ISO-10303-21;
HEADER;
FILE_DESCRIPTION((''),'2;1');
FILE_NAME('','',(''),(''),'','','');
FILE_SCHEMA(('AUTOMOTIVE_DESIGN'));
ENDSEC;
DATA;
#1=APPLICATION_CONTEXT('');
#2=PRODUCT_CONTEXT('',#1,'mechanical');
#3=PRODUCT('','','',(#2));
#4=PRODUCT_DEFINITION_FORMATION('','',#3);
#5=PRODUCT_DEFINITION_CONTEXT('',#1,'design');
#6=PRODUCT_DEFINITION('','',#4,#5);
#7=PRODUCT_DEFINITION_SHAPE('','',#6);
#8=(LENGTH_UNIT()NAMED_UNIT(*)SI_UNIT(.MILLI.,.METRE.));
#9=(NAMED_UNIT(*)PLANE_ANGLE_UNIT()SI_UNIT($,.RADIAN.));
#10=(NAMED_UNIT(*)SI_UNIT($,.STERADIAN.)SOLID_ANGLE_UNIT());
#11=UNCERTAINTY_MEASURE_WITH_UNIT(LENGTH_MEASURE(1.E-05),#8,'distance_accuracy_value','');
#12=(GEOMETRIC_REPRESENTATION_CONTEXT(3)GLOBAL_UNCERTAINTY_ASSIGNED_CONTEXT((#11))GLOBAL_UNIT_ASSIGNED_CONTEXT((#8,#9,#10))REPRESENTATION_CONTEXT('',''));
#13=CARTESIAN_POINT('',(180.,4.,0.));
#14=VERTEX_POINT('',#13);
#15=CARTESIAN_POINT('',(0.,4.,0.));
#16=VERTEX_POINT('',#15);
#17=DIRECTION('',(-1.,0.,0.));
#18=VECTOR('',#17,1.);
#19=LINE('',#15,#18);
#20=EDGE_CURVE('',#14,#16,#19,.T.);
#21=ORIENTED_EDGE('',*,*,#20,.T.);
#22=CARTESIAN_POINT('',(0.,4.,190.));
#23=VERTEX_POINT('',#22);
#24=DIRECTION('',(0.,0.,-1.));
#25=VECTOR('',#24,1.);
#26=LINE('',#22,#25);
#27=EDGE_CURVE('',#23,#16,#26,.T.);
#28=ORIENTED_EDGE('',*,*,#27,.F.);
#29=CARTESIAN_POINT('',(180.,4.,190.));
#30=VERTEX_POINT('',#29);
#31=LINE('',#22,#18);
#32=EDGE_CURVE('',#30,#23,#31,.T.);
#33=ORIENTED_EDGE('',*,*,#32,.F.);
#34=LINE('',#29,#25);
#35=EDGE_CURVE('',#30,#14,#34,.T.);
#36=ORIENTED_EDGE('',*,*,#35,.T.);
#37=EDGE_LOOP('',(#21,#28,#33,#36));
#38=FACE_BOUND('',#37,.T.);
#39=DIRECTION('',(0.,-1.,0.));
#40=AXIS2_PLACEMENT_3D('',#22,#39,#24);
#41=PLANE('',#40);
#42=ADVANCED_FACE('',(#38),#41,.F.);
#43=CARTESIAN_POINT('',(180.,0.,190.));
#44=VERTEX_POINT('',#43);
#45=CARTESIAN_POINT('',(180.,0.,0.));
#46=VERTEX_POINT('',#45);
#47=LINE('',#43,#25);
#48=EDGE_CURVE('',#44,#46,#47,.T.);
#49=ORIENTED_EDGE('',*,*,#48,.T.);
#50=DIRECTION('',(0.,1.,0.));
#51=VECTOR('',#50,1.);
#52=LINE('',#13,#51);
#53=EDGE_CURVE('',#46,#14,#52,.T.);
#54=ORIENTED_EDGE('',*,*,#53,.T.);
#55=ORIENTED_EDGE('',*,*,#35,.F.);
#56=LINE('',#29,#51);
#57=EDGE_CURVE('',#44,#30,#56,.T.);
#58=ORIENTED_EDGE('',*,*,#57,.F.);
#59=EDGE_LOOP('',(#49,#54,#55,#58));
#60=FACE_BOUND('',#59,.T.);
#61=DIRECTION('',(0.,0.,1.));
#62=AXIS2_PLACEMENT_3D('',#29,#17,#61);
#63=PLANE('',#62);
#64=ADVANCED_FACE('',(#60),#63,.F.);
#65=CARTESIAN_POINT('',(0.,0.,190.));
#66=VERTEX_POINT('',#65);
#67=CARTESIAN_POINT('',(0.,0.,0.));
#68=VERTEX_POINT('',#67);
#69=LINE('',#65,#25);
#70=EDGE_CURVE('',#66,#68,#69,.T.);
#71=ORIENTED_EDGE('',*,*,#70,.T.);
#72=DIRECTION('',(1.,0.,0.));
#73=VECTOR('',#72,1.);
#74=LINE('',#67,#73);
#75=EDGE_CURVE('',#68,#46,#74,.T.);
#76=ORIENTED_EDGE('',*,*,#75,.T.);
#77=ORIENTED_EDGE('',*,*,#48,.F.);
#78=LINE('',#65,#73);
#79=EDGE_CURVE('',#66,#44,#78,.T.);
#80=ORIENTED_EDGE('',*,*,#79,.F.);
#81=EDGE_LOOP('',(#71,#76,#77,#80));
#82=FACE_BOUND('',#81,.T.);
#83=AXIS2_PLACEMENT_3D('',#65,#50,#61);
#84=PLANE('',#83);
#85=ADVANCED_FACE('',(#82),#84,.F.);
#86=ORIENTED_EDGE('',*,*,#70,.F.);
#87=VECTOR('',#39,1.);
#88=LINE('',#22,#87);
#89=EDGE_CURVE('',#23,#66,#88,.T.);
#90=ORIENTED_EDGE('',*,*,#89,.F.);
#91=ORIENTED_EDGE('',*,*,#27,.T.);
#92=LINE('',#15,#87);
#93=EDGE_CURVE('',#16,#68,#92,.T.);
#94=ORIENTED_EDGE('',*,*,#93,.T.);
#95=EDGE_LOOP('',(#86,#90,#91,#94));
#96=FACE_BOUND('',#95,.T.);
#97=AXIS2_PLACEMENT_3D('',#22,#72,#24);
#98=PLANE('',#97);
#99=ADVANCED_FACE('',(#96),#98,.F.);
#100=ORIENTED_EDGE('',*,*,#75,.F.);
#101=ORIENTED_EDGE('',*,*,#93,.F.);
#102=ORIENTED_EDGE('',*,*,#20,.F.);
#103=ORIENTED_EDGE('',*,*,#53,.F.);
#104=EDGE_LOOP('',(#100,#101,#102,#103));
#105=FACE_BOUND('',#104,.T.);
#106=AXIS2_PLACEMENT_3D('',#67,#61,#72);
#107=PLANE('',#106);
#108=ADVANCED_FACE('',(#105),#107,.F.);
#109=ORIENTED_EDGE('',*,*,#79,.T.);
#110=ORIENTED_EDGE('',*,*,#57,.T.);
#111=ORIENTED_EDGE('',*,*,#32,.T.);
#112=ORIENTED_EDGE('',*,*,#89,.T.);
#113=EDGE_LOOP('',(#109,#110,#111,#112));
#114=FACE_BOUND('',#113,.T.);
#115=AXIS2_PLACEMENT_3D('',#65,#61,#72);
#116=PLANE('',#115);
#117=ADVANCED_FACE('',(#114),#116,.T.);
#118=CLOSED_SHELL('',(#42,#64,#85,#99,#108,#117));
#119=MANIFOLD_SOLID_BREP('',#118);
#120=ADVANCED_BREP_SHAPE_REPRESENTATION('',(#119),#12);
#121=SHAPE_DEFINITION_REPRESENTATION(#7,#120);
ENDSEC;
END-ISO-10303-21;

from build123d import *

# Parameters (mm, degrees)
ESBO_O1_W                = 180
ESBO_O1_H                = 4
RESSALTO_EXTRUS_O1_DEPTH = 190


with BuildPart() as part:
    # Esboço1 → Ressalto-extrusão1 (new body)
    with BuildSketch(Plane.XY):
        with Locations((90, 2)):
            Rectangle(ESBO_O1_W, ESBO_O1_H)
    extrude(amount=RESSALTO_EXTRUS_O1_DEPTH)


solid = part.part
